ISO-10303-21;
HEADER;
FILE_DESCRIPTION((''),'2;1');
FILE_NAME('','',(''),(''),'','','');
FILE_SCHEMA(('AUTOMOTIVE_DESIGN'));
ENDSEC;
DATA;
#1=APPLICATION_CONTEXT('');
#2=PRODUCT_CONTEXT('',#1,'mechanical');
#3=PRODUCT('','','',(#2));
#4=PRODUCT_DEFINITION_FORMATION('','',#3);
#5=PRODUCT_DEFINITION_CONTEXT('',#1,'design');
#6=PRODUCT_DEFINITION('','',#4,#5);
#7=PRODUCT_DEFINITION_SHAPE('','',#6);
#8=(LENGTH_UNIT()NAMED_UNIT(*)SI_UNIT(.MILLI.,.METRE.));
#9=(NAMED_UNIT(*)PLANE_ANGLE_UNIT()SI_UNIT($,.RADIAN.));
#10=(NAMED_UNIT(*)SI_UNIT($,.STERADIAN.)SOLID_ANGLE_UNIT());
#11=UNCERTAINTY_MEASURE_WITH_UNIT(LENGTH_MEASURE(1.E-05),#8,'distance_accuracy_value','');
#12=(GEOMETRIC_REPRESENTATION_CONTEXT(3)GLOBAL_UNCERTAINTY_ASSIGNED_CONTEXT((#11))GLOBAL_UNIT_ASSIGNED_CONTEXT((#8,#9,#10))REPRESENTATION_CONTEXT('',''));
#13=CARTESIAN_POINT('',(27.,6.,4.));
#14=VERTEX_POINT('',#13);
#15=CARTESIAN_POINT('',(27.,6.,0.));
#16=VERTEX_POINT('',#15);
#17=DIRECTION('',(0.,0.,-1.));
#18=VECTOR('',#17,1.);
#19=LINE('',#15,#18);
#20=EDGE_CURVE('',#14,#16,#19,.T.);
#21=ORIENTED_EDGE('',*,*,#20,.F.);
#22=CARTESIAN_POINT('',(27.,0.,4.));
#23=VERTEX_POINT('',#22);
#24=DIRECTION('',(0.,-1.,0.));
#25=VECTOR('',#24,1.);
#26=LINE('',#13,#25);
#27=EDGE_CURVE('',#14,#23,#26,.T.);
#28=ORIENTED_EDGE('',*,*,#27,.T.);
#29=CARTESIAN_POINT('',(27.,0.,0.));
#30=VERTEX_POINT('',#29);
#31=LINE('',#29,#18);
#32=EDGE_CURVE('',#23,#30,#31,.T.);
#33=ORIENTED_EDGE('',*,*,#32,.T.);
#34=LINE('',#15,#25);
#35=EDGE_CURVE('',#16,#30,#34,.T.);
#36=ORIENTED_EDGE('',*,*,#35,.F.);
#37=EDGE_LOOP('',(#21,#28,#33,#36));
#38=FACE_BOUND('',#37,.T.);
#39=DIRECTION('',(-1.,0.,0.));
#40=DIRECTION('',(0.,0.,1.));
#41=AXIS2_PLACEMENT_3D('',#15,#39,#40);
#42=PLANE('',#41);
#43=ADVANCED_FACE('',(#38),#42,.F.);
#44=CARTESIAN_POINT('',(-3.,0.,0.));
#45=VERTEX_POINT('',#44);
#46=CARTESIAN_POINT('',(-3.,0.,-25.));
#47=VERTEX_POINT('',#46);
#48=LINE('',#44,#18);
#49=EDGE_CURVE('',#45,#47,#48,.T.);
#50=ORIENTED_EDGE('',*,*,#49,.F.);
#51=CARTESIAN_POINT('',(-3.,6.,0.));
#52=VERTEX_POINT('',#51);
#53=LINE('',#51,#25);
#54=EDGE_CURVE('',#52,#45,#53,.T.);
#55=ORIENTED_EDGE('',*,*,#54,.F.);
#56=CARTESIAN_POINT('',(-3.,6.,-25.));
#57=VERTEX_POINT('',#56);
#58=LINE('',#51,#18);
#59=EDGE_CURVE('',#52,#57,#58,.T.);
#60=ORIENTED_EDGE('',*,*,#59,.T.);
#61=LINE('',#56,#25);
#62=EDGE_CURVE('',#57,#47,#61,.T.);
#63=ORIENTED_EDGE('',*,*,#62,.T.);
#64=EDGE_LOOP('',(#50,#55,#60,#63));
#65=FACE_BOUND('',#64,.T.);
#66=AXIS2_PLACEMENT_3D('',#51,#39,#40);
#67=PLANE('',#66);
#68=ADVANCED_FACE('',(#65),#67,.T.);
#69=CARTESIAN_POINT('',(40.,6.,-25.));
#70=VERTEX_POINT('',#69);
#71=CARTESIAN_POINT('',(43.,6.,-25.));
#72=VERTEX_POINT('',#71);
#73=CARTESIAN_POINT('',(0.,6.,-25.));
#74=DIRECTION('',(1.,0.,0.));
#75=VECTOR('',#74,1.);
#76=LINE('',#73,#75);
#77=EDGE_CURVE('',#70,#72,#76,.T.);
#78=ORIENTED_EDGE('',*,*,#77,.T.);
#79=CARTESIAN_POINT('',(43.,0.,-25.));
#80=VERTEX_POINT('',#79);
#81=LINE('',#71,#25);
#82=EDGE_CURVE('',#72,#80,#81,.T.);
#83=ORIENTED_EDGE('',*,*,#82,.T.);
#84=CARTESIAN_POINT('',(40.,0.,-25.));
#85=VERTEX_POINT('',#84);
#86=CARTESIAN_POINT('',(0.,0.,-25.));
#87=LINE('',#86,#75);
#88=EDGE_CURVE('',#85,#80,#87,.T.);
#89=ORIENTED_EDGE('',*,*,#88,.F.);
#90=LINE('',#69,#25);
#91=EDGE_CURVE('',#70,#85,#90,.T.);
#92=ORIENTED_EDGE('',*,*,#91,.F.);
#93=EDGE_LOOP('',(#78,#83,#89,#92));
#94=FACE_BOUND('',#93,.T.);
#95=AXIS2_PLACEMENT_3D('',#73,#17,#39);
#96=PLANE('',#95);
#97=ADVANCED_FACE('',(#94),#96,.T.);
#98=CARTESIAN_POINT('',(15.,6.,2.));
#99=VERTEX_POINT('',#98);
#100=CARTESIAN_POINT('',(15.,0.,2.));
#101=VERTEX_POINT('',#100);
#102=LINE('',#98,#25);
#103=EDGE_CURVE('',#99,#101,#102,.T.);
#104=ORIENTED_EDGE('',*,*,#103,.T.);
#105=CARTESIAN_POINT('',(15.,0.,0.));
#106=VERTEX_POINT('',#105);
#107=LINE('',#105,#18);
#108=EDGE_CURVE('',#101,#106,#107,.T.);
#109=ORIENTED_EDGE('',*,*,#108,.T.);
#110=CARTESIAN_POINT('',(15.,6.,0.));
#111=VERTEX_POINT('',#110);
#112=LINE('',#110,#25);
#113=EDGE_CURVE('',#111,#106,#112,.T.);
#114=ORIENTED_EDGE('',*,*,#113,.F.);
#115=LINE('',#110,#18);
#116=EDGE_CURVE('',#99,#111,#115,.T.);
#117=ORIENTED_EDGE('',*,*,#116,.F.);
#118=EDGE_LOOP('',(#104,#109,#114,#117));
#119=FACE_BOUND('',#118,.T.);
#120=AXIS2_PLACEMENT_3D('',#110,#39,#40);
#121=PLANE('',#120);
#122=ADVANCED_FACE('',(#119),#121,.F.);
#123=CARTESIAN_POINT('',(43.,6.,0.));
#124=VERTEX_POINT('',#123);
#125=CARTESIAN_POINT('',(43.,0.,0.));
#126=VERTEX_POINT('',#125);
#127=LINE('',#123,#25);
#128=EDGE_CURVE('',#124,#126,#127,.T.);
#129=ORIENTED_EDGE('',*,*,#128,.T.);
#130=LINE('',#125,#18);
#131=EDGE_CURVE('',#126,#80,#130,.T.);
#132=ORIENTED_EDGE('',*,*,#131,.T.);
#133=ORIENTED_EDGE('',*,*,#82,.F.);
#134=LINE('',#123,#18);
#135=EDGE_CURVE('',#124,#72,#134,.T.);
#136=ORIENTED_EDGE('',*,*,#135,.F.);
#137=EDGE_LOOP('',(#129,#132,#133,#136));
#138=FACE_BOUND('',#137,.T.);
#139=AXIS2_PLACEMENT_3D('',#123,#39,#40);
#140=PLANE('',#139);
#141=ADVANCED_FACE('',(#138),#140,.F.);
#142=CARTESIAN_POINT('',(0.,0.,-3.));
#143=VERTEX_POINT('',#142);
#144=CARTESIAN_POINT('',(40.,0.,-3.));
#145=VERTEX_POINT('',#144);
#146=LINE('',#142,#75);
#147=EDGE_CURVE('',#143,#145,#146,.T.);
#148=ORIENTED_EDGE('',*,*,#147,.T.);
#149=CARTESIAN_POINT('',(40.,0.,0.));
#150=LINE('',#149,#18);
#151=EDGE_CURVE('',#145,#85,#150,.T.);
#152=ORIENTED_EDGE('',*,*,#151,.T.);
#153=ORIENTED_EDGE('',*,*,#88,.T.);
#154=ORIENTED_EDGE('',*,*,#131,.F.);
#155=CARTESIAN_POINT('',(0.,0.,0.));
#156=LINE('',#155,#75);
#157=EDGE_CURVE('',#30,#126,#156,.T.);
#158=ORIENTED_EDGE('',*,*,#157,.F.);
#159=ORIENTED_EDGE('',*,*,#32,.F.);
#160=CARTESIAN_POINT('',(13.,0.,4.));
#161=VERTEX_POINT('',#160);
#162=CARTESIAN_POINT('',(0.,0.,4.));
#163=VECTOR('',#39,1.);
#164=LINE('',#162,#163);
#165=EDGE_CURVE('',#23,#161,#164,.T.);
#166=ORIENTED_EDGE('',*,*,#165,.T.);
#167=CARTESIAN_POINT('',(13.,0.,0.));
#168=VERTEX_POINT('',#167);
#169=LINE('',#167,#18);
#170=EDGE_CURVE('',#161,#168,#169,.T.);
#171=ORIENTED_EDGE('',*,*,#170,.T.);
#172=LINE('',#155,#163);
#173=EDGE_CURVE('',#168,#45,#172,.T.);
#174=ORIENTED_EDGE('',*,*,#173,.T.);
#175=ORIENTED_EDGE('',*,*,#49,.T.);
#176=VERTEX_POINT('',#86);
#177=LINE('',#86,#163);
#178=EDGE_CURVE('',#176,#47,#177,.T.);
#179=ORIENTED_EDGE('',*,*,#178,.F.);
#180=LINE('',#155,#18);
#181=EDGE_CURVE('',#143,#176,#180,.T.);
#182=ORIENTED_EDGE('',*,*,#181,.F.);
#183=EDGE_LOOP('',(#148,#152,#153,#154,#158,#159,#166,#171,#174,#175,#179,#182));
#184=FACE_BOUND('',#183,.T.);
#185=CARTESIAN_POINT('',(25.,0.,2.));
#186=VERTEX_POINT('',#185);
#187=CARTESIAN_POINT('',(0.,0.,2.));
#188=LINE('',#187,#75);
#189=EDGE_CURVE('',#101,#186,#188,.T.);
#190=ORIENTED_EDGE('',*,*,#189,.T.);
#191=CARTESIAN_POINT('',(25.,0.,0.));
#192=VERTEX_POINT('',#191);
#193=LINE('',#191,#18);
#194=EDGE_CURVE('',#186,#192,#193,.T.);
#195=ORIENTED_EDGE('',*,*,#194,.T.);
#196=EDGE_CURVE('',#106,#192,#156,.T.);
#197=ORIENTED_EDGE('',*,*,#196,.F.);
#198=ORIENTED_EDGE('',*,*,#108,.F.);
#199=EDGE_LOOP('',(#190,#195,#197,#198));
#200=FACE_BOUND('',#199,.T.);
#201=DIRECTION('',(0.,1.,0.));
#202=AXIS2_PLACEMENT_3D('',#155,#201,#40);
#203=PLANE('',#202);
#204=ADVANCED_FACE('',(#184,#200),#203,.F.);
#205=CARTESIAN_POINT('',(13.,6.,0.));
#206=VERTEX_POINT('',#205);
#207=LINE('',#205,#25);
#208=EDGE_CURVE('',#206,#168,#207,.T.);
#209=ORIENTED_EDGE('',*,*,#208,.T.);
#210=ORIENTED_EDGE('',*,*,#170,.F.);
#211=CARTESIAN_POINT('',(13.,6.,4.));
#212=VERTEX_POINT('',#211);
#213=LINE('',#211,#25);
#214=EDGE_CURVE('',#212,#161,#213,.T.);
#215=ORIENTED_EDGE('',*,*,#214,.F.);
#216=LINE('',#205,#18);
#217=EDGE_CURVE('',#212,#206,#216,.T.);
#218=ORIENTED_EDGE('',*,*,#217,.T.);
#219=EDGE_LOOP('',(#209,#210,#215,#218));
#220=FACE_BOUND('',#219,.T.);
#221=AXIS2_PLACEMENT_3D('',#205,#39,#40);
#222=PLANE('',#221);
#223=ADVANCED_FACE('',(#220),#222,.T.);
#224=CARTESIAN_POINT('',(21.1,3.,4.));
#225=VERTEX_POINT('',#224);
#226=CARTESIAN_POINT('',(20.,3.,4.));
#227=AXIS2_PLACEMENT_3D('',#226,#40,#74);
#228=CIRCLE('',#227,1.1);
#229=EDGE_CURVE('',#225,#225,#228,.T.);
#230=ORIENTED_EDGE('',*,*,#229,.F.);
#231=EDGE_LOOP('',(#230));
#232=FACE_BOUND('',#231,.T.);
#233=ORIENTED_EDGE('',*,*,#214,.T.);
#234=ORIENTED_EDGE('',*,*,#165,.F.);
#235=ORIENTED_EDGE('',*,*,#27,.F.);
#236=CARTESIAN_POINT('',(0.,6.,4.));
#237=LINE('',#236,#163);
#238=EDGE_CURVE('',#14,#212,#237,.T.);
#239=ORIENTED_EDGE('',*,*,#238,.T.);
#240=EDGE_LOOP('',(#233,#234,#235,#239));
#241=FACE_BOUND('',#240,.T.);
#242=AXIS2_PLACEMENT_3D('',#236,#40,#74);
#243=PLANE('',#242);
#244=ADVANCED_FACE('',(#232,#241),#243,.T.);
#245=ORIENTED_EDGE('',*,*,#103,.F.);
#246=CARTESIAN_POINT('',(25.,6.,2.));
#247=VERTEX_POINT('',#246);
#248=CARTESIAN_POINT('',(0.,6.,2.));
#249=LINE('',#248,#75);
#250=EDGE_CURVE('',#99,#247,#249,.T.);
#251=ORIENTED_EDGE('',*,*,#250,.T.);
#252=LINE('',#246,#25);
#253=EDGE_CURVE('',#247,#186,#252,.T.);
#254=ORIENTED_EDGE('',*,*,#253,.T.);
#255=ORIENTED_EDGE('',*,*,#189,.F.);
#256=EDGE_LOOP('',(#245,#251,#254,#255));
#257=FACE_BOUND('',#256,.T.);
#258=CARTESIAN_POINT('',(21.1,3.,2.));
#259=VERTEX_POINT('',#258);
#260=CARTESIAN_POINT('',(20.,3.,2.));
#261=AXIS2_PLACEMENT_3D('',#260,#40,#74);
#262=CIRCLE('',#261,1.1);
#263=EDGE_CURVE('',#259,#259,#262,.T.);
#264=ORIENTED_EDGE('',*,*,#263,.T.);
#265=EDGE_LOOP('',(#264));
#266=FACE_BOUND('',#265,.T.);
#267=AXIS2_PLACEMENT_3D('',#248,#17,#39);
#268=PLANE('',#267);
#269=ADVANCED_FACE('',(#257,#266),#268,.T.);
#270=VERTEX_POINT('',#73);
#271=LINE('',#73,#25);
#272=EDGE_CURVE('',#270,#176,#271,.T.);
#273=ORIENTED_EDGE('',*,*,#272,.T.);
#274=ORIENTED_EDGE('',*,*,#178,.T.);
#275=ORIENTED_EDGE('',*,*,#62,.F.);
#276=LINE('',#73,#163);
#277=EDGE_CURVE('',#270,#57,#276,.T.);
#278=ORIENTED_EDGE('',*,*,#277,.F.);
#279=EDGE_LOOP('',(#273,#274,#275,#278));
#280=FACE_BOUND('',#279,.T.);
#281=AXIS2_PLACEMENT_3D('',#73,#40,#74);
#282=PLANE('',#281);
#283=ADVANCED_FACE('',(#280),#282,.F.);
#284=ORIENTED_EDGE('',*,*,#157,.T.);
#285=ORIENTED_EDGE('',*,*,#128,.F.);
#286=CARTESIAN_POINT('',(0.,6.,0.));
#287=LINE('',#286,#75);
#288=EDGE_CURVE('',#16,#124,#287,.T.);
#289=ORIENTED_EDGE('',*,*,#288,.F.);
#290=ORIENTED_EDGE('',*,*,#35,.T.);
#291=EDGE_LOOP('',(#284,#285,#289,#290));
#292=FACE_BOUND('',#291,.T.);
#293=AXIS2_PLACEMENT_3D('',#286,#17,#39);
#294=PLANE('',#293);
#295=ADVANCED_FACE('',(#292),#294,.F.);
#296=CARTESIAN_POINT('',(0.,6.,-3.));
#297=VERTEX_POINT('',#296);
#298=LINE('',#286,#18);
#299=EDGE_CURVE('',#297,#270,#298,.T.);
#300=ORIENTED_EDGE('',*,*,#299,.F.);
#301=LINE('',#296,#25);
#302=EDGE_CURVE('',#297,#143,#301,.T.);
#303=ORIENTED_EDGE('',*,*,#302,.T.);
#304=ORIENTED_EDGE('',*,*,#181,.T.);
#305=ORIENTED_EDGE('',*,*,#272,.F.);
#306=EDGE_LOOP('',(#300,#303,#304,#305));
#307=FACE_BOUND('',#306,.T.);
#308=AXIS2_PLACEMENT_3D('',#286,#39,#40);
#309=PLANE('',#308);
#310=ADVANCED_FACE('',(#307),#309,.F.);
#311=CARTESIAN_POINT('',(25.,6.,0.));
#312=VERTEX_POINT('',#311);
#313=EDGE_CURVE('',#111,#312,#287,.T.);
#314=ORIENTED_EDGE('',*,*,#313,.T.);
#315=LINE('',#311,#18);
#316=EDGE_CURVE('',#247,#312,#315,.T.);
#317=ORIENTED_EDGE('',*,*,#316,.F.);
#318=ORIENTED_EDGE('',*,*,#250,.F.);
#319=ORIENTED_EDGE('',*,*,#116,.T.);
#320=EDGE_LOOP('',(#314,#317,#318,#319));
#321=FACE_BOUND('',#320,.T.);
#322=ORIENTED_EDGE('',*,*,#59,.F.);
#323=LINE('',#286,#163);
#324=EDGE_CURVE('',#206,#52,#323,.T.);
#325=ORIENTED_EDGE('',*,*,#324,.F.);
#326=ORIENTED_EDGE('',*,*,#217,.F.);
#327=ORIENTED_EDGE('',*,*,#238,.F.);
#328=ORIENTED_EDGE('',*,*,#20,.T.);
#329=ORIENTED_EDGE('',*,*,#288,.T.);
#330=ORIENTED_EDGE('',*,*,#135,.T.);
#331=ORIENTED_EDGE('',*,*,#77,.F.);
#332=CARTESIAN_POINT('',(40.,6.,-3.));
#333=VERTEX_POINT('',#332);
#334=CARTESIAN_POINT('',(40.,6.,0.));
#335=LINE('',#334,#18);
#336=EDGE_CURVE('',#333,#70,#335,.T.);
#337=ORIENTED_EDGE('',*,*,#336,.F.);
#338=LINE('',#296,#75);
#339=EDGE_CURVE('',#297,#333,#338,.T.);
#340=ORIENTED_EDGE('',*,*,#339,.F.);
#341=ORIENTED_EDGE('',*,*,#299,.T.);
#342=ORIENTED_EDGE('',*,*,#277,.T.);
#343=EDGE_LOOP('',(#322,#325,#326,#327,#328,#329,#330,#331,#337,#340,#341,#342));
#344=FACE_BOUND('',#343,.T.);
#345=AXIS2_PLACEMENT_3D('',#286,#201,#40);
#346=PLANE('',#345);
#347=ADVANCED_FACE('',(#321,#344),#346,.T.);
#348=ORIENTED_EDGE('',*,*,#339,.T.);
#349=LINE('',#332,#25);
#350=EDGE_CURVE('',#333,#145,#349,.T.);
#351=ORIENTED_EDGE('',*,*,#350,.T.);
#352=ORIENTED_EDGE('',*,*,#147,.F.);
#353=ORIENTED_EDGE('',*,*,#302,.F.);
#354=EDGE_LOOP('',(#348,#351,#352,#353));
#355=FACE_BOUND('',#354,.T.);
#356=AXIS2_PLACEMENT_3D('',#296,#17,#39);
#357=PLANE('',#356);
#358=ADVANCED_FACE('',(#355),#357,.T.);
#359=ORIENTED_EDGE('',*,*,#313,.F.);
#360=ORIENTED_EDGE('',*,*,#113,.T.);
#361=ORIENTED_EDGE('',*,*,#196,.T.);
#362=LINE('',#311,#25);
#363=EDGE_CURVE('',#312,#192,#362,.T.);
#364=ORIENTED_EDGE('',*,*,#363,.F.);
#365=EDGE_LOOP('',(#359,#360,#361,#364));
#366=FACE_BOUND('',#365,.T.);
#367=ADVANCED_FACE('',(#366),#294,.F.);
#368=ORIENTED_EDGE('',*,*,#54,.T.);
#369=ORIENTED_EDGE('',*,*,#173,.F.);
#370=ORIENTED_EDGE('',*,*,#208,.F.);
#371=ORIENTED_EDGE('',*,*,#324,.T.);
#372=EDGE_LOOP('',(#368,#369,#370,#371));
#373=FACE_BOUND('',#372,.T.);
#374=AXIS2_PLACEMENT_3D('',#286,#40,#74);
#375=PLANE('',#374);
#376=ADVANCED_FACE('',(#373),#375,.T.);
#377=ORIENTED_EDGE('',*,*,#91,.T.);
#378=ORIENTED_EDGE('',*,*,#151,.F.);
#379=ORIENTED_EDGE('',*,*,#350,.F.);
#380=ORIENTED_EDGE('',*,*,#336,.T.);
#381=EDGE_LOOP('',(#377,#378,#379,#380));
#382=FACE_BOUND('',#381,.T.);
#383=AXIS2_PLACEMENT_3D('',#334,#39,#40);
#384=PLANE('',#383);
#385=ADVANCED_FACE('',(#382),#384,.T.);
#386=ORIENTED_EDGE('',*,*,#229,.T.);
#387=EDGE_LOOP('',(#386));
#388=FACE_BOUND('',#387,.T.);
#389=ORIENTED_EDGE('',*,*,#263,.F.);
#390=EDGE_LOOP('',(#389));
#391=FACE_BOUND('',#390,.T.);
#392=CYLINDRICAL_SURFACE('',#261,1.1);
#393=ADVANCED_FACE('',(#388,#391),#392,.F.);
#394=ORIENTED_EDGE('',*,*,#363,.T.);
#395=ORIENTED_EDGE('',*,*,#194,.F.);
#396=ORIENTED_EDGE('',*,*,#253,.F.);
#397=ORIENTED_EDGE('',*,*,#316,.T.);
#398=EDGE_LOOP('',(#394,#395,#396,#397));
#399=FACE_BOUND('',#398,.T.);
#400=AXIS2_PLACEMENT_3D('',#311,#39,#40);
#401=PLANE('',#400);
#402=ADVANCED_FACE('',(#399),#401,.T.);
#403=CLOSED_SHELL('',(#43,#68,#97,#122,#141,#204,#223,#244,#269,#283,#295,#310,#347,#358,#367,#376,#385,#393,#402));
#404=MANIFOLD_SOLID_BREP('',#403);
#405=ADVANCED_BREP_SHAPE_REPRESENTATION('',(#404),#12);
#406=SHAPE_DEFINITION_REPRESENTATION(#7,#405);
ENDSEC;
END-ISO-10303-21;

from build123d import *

# Parameters (mm, degrees)
BOSS_EXTRUDE1_DEPTH = 6
SKETCH2_R           = 1.1
CUT_EXTRUDE1_DEPTH  = 2


with BuildPart() as part:
    # Sketch1 → Boss-Extrude1 (new body)
    with BuildSketch(Plane(origin=(0, 0, 0), x_dir=(1, 0, 0), z_dir=(0, 1, 0))):
        Polygon((13, 0), (13, -4), (27, -4), (27, 0), (43, 0), (43, 25), (40, 25), (40, 3), (0, 3), (0, 25), (-3, 25), (-3, 0), align=None)
        Polygon((25, -2), (20, -2), (15, -2), (15, 0), (25, 0), align=None, mode=Mode.SUBTRACT)
    extrude(amount=BOSS_EXTRUDE1_DEPTH)

    # Sketch2 → Cut-Extrude1 (cut)
    with BuildSketch(Plane.XY.offset(4)):
        with Locations((20, 3)):
            Circle(SKETCH2_R)
    extrude(amount=-CUT_EXTRUDE1_DEPTH, mode=Mode.SUBTRACT)


solid = part.part
